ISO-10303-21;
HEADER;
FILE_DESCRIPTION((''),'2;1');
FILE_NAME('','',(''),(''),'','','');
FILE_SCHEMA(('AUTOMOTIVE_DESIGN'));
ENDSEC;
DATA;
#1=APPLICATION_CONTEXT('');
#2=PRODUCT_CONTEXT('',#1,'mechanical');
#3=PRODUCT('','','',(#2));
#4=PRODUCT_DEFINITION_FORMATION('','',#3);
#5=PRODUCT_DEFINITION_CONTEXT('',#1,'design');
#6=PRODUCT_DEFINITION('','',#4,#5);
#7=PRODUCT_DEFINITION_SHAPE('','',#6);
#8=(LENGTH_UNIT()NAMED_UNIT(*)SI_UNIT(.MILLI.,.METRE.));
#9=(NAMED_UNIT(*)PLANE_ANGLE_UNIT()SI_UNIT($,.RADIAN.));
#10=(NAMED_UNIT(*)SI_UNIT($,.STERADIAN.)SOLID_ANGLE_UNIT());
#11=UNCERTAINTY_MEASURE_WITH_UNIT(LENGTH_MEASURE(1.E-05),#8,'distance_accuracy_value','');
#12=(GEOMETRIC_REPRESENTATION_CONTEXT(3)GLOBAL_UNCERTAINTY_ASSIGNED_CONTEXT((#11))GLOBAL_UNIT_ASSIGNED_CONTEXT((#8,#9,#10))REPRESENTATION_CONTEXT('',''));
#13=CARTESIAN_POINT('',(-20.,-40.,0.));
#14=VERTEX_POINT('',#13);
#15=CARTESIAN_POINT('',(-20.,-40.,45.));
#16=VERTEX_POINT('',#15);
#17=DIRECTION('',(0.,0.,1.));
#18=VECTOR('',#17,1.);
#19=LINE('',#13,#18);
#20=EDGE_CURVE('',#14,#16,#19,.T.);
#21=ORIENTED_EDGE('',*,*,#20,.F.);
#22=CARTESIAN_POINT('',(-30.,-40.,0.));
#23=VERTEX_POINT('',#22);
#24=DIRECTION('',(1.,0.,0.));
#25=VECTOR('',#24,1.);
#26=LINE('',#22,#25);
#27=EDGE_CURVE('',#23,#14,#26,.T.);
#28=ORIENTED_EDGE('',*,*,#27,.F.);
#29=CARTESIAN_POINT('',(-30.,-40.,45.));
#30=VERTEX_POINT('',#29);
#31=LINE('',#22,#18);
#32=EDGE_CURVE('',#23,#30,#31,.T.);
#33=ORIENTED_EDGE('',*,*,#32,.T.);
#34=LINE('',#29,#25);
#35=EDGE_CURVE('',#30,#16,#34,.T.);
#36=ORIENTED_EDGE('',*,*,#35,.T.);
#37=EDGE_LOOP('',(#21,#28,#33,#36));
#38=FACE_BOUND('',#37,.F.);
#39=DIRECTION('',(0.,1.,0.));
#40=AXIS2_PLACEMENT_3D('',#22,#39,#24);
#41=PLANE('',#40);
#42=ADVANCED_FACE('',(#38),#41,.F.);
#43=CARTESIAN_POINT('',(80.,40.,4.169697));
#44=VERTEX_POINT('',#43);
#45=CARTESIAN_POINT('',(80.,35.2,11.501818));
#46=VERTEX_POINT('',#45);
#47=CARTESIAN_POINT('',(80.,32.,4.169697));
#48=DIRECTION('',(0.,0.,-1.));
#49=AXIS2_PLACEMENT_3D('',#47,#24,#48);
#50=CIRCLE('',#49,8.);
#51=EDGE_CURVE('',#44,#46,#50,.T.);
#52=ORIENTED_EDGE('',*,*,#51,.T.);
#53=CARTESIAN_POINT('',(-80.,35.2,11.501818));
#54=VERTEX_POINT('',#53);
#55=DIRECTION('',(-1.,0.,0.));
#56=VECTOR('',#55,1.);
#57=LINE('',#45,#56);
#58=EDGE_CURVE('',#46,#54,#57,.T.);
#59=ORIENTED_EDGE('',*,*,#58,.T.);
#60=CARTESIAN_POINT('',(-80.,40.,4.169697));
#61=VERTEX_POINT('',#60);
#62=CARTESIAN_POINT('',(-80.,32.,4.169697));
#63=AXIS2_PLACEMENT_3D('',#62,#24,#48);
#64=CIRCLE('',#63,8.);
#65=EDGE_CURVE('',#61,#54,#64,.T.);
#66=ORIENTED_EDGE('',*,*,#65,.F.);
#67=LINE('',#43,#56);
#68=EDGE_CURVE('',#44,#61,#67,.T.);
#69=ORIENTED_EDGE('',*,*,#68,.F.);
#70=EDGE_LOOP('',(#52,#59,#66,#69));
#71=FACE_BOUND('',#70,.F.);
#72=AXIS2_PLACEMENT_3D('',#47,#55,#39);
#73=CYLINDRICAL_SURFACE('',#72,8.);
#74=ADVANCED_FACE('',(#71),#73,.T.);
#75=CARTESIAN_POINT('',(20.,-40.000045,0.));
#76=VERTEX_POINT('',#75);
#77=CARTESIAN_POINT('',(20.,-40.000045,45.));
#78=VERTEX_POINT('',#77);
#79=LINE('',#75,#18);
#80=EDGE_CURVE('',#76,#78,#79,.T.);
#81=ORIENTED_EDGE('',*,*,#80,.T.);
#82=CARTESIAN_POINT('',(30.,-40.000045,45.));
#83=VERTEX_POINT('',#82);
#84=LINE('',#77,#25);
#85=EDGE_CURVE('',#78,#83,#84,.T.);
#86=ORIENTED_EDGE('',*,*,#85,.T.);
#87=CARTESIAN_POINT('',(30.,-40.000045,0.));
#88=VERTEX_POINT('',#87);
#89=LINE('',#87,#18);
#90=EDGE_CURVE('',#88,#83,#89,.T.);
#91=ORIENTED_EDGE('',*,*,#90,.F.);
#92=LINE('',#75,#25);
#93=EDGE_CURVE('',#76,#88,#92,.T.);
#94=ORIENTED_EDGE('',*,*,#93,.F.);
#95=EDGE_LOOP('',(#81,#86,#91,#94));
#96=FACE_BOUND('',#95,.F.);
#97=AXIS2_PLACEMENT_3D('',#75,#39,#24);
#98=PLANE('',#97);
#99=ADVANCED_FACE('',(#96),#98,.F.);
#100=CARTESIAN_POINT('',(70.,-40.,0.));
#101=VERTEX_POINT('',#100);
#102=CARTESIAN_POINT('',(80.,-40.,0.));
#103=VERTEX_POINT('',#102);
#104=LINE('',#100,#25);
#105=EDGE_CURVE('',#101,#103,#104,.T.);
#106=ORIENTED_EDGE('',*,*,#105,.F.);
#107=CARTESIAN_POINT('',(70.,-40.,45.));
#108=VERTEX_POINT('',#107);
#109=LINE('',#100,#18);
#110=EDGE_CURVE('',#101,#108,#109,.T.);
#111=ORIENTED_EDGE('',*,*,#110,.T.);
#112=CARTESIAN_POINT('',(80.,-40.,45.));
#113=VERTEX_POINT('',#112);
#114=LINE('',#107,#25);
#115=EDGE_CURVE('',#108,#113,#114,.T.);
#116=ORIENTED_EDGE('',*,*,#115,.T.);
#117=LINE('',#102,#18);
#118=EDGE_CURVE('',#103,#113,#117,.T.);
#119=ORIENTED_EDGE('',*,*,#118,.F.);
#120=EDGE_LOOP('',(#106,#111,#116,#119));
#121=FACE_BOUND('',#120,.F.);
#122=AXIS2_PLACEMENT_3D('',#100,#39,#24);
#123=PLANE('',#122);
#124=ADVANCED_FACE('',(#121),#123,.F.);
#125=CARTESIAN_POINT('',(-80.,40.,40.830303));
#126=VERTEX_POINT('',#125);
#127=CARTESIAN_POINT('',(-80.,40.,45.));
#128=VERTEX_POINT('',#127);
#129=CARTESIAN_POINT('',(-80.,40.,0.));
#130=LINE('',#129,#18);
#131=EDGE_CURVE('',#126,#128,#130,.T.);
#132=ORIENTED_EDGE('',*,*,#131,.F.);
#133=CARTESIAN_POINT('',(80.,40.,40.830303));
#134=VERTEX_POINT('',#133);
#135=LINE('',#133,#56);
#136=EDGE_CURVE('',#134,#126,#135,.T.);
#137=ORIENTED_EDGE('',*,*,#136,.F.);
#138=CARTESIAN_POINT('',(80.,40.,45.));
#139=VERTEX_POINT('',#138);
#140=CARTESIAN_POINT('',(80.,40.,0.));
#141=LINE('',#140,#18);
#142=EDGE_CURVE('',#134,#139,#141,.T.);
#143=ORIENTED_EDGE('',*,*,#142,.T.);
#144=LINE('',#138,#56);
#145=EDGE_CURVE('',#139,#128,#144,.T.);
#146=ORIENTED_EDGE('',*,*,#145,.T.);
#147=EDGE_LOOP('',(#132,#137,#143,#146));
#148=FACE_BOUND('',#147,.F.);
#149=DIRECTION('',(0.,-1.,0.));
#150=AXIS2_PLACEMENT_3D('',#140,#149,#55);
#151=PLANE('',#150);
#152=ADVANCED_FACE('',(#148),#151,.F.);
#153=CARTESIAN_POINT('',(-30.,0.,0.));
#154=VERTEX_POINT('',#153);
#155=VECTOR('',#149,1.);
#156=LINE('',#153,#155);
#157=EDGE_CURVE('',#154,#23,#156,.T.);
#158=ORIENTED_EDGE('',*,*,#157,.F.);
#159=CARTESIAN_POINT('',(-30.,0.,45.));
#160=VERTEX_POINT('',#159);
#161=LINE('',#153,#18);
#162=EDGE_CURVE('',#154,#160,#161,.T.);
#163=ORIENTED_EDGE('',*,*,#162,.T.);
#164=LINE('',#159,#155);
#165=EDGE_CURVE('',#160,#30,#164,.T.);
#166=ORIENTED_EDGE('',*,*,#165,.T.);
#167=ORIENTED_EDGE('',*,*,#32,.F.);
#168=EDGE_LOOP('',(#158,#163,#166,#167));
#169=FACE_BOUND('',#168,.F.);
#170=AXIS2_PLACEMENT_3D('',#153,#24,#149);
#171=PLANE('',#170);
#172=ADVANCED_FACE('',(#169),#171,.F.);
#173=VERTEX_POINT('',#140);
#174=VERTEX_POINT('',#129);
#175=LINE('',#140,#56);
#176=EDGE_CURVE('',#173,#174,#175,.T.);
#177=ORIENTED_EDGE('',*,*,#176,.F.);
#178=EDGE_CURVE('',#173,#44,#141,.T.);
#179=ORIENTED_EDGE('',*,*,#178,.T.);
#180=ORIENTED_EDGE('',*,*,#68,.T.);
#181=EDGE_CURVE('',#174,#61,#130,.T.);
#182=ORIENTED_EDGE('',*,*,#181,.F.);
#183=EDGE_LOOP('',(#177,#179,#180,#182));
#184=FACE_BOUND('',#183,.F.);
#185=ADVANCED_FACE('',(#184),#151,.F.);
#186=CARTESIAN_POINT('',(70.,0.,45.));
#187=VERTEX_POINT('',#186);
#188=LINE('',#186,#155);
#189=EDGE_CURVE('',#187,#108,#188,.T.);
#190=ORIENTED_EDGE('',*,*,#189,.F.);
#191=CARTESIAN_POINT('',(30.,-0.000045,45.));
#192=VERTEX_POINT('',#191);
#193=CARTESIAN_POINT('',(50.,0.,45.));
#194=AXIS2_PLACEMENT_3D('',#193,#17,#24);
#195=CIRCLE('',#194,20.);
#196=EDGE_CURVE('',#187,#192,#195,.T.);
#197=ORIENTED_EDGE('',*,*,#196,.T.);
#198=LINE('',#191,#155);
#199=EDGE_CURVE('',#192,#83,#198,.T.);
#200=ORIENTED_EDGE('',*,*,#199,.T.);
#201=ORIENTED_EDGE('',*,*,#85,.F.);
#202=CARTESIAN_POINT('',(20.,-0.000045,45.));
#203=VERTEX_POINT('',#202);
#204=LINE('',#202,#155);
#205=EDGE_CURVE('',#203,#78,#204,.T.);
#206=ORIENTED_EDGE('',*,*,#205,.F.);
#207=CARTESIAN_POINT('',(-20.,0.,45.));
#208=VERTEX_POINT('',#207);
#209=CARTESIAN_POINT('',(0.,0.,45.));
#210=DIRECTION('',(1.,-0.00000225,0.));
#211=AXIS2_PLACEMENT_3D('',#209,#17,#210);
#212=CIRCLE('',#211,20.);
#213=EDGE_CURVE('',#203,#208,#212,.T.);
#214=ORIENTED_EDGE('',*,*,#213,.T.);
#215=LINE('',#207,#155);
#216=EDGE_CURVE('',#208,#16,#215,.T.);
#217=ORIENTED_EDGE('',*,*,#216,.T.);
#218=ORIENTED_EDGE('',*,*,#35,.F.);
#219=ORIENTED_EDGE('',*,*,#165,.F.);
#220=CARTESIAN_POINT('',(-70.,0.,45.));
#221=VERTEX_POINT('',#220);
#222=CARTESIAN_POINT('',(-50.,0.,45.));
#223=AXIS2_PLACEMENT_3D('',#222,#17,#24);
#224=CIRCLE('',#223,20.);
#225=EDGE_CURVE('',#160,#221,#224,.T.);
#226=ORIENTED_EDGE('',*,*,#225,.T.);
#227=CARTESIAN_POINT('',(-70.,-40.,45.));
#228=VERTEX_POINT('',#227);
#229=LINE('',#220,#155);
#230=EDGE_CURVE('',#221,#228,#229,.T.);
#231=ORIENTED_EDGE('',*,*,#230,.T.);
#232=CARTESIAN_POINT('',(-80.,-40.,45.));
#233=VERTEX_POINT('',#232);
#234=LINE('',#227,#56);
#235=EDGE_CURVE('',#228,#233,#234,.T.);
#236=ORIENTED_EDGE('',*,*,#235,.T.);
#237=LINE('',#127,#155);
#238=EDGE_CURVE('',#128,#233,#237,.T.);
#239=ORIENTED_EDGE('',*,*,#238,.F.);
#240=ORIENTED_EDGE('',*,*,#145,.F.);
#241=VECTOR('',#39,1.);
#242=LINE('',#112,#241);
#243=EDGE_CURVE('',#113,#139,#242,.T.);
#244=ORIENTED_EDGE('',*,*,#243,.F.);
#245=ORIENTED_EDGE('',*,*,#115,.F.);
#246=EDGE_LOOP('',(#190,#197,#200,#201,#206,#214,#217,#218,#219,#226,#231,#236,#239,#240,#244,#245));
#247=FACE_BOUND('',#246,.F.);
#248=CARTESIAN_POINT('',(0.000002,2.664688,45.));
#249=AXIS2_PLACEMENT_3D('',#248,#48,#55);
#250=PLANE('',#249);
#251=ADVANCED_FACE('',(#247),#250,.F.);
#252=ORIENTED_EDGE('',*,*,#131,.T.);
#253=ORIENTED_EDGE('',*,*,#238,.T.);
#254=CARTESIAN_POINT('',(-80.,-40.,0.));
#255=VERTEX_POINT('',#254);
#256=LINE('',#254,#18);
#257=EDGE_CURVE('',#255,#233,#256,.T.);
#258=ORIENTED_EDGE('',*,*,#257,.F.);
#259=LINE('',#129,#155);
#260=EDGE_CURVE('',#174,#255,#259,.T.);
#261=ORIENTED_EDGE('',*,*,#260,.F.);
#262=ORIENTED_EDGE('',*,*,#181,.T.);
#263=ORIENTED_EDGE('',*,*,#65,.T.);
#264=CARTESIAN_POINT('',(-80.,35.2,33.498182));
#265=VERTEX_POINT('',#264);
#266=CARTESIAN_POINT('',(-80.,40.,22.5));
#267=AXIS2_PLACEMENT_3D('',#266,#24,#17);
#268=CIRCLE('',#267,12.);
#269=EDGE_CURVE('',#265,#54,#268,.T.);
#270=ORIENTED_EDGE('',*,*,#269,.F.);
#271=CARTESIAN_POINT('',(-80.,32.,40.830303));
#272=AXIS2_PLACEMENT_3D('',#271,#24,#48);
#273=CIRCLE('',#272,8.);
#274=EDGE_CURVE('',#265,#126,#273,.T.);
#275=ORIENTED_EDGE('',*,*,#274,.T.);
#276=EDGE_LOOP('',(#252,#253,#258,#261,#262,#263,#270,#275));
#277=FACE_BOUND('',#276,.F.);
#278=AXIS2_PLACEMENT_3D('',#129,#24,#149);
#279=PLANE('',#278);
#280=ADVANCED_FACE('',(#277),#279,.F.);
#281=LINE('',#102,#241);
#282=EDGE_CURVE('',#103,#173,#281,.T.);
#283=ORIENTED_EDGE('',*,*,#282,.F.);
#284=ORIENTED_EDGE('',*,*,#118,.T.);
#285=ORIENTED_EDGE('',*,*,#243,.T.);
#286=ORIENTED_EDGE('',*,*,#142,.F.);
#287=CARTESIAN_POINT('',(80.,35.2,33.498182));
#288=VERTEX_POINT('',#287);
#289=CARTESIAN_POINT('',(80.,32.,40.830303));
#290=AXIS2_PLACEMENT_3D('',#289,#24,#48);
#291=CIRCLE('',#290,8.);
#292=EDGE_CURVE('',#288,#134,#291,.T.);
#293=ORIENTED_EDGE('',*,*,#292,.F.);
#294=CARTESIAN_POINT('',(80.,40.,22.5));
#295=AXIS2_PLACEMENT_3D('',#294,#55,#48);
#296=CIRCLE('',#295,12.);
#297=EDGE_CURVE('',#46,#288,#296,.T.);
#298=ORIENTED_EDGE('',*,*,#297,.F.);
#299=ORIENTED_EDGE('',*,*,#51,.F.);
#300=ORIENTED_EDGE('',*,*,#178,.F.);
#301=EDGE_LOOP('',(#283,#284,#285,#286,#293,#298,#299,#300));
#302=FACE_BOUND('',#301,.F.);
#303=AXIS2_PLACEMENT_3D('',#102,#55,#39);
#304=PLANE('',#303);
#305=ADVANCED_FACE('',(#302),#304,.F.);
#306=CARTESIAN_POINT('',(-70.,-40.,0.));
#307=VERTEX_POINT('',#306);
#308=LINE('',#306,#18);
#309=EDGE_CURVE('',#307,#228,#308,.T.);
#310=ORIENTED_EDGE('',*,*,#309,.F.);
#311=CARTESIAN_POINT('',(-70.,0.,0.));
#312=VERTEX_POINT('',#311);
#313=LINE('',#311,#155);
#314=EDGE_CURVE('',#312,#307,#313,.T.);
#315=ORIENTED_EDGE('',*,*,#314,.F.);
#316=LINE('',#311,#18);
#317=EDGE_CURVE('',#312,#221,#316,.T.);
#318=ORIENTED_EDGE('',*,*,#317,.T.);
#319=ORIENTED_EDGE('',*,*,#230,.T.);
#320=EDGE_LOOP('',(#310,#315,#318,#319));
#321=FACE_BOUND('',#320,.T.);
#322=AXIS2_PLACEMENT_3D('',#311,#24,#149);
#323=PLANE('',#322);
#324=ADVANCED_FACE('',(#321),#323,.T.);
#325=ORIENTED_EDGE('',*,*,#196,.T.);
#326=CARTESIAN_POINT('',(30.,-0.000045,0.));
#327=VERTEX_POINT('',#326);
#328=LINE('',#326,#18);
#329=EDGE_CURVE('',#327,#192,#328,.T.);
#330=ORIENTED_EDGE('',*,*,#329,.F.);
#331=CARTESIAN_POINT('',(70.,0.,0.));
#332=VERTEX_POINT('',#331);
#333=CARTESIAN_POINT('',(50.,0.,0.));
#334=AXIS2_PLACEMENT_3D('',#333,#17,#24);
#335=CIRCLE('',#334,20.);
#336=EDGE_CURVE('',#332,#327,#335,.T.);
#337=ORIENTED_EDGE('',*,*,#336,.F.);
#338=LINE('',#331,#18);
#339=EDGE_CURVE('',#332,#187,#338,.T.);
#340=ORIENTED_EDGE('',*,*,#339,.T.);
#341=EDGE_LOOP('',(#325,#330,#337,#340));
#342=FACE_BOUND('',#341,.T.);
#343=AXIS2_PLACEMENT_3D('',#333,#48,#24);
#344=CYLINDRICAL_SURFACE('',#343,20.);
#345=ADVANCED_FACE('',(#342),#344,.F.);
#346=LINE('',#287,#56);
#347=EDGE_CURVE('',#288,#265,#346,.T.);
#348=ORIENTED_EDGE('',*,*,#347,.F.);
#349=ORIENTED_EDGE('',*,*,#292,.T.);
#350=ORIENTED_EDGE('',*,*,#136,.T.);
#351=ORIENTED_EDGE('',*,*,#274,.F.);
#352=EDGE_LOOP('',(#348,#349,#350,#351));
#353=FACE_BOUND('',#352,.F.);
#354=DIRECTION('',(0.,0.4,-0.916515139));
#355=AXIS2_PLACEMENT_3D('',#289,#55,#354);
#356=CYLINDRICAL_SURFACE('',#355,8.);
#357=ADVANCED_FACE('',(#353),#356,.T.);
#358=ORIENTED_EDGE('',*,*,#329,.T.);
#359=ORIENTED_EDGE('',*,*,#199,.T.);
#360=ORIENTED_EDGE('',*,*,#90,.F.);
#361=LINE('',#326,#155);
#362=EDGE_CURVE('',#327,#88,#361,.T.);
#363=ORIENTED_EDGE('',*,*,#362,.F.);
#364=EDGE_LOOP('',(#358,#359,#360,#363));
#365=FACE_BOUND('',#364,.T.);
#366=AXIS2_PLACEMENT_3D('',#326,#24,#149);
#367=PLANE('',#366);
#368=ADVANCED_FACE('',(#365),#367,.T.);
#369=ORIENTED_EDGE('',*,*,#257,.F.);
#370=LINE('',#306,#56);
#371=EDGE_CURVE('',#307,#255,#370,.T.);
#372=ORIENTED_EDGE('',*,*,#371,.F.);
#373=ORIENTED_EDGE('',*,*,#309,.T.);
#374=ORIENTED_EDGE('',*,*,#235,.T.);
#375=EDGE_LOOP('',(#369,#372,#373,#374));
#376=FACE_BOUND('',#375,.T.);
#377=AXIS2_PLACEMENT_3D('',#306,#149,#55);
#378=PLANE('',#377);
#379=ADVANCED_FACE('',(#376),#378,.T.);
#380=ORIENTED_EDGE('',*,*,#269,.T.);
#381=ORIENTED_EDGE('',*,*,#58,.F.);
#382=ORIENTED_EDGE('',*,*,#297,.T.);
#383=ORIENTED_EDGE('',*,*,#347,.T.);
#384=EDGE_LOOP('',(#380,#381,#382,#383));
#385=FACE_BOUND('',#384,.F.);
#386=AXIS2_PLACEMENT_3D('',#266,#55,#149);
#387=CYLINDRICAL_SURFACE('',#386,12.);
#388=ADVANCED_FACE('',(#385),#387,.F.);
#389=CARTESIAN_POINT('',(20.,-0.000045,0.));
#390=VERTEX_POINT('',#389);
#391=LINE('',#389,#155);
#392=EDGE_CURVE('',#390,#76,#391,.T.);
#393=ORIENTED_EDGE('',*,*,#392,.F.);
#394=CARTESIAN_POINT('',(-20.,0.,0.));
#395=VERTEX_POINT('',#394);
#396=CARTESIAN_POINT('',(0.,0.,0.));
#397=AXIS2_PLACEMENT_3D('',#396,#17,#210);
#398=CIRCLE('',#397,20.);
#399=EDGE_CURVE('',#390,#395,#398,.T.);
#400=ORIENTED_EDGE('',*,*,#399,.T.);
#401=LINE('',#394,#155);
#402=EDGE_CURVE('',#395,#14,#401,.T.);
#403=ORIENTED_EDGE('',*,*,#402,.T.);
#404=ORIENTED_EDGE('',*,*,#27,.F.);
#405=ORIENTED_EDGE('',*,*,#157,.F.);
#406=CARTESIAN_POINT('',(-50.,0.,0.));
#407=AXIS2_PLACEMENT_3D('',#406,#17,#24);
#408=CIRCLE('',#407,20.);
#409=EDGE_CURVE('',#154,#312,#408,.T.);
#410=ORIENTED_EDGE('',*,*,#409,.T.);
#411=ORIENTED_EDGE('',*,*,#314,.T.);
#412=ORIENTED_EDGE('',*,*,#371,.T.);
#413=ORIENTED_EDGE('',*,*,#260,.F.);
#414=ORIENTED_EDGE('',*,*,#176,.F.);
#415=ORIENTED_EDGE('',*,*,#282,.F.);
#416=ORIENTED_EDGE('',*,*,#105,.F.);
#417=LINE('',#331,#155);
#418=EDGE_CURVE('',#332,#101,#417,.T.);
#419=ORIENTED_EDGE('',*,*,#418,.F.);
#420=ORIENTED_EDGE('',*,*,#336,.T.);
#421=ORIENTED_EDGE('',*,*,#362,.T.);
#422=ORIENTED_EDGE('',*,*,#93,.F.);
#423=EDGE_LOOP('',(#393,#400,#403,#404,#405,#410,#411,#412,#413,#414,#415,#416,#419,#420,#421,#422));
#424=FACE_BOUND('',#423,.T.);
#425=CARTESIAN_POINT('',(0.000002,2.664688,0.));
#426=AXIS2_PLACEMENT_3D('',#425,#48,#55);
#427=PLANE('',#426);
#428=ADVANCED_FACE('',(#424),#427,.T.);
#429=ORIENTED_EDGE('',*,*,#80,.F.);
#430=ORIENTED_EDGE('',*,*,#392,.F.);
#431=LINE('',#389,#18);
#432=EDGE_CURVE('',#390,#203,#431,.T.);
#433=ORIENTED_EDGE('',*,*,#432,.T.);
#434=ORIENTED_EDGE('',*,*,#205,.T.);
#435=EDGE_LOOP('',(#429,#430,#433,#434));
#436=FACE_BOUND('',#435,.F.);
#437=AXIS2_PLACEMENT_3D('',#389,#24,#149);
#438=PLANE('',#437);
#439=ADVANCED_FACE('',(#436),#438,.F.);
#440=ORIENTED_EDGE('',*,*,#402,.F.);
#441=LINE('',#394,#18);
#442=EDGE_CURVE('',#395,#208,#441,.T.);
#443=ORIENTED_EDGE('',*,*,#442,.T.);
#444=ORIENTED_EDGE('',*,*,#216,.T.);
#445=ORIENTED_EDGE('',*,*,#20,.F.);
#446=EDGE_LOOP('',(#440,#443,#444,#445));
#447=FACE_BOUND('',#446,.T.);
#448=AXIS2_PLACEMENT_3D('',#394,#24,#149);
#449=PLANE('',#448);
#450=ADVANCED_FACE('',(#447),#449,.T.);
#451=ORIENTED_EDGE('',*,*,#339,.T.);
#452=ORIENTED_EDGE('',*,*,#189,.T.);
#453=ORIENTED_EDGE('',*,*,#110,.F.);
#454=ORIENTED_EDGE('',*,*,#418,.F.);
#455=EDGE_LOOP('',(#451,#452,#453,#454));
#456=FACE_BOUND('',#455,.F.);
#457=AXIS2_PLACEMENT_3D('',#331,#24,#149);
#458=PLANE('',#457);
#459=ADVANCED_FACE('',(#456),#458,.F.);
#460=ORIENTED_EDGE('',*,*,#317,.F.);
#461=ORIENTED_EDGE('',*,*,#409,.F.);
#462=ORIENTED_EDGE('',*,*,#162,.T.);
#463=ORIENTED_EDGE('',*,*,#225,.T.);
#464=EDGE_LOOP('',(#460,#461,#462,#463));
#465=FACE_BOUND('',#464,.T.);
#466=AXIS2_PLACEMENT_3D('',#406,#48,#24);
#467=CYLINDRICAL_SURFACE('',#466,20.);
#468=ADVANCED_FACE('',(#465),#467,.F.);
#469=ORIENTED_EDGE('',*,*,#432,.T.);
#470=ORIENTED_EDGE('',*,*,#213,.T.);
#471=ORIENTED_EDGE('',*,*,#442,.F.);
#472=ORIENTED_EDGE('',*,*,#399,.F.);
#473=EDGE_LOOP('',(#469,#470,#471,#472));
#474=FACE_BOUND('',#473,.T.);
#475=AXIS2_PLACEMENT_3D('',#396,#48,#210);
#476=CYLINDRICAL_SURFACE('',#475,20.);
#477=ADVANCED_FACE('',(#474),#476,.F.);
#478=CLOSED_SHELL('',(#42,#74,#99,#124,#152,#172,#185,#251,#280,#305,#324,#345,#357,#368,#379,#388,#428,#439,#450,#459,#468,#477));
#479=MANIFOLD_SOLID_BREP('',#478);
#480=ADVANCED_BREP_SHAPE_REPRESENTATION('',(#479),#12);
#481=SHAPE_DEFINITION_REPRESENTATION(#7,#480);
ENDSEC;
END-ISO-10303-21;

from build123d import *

# Parameters (mm, degrees)
PAD_DEPTH    = 45
SKETCH001_R  = 12
POCKET_DEPTH = 160.001
FILLET_R     = 8


with BuildPart() as part:
    # Sketch → Pad (new body)
    with BuildSketch(Plane.XY):
        with BuildLine():
            ThreePointArc((-30, 0), (-50, 20), (-70, 0))
            Line((-70, 0), (-70, -40))
            Line((-70, -40), (-80, -40))
            Line((-80, 40), (-80, -40))
            Line((80, 40), (-80, 40))
            Line((80, -40), (80, 40))
            Line((70, -40), (80, -40))
            Line((70, 0), (70, -40))
            ThreePointArc((70, 0), (49.999978, 20), (30, -4.5e-05))
            Line((30, -4.5e-05), (30, -40.000045))
            Line((20, -40.000045), (30, -40.000045))
            Line((20, -4.5e-05), (20, -40.000045))
            ThreePointArc((20, -4.5e-05), (2.2e-05, 20), (-20, 0))
            Line((-20, 0), (-20, -40))
            Line((-30, -40), (-20, -40))
            Line((-30, 0), (-30, -40))
        make_face()
    extrude(amount=PAD_DEPTH)

    # Sketch001 → Pocket (cut, through all)
    with BuildSketch(Plane(origin=(-80, 0, 0), x_dir=(0, -1, 0), z_dir=(-1, 0, 0))):
        with Locations((-40, 22.5)):
            Circle(SKETCH001_R)
    extrude(amount=-POCKET_DEPTH, mode=Mode.SUBTRACT)

    # Fillet
    fillet_edges = [part.edges().sort_by_distance(p)[0] for p in [
        (0, 40, 34.5),
        (0, 40, 10.5),
    ]]
    fillet(fillet_edges, radius=FILLET_R)


solid = part.part
